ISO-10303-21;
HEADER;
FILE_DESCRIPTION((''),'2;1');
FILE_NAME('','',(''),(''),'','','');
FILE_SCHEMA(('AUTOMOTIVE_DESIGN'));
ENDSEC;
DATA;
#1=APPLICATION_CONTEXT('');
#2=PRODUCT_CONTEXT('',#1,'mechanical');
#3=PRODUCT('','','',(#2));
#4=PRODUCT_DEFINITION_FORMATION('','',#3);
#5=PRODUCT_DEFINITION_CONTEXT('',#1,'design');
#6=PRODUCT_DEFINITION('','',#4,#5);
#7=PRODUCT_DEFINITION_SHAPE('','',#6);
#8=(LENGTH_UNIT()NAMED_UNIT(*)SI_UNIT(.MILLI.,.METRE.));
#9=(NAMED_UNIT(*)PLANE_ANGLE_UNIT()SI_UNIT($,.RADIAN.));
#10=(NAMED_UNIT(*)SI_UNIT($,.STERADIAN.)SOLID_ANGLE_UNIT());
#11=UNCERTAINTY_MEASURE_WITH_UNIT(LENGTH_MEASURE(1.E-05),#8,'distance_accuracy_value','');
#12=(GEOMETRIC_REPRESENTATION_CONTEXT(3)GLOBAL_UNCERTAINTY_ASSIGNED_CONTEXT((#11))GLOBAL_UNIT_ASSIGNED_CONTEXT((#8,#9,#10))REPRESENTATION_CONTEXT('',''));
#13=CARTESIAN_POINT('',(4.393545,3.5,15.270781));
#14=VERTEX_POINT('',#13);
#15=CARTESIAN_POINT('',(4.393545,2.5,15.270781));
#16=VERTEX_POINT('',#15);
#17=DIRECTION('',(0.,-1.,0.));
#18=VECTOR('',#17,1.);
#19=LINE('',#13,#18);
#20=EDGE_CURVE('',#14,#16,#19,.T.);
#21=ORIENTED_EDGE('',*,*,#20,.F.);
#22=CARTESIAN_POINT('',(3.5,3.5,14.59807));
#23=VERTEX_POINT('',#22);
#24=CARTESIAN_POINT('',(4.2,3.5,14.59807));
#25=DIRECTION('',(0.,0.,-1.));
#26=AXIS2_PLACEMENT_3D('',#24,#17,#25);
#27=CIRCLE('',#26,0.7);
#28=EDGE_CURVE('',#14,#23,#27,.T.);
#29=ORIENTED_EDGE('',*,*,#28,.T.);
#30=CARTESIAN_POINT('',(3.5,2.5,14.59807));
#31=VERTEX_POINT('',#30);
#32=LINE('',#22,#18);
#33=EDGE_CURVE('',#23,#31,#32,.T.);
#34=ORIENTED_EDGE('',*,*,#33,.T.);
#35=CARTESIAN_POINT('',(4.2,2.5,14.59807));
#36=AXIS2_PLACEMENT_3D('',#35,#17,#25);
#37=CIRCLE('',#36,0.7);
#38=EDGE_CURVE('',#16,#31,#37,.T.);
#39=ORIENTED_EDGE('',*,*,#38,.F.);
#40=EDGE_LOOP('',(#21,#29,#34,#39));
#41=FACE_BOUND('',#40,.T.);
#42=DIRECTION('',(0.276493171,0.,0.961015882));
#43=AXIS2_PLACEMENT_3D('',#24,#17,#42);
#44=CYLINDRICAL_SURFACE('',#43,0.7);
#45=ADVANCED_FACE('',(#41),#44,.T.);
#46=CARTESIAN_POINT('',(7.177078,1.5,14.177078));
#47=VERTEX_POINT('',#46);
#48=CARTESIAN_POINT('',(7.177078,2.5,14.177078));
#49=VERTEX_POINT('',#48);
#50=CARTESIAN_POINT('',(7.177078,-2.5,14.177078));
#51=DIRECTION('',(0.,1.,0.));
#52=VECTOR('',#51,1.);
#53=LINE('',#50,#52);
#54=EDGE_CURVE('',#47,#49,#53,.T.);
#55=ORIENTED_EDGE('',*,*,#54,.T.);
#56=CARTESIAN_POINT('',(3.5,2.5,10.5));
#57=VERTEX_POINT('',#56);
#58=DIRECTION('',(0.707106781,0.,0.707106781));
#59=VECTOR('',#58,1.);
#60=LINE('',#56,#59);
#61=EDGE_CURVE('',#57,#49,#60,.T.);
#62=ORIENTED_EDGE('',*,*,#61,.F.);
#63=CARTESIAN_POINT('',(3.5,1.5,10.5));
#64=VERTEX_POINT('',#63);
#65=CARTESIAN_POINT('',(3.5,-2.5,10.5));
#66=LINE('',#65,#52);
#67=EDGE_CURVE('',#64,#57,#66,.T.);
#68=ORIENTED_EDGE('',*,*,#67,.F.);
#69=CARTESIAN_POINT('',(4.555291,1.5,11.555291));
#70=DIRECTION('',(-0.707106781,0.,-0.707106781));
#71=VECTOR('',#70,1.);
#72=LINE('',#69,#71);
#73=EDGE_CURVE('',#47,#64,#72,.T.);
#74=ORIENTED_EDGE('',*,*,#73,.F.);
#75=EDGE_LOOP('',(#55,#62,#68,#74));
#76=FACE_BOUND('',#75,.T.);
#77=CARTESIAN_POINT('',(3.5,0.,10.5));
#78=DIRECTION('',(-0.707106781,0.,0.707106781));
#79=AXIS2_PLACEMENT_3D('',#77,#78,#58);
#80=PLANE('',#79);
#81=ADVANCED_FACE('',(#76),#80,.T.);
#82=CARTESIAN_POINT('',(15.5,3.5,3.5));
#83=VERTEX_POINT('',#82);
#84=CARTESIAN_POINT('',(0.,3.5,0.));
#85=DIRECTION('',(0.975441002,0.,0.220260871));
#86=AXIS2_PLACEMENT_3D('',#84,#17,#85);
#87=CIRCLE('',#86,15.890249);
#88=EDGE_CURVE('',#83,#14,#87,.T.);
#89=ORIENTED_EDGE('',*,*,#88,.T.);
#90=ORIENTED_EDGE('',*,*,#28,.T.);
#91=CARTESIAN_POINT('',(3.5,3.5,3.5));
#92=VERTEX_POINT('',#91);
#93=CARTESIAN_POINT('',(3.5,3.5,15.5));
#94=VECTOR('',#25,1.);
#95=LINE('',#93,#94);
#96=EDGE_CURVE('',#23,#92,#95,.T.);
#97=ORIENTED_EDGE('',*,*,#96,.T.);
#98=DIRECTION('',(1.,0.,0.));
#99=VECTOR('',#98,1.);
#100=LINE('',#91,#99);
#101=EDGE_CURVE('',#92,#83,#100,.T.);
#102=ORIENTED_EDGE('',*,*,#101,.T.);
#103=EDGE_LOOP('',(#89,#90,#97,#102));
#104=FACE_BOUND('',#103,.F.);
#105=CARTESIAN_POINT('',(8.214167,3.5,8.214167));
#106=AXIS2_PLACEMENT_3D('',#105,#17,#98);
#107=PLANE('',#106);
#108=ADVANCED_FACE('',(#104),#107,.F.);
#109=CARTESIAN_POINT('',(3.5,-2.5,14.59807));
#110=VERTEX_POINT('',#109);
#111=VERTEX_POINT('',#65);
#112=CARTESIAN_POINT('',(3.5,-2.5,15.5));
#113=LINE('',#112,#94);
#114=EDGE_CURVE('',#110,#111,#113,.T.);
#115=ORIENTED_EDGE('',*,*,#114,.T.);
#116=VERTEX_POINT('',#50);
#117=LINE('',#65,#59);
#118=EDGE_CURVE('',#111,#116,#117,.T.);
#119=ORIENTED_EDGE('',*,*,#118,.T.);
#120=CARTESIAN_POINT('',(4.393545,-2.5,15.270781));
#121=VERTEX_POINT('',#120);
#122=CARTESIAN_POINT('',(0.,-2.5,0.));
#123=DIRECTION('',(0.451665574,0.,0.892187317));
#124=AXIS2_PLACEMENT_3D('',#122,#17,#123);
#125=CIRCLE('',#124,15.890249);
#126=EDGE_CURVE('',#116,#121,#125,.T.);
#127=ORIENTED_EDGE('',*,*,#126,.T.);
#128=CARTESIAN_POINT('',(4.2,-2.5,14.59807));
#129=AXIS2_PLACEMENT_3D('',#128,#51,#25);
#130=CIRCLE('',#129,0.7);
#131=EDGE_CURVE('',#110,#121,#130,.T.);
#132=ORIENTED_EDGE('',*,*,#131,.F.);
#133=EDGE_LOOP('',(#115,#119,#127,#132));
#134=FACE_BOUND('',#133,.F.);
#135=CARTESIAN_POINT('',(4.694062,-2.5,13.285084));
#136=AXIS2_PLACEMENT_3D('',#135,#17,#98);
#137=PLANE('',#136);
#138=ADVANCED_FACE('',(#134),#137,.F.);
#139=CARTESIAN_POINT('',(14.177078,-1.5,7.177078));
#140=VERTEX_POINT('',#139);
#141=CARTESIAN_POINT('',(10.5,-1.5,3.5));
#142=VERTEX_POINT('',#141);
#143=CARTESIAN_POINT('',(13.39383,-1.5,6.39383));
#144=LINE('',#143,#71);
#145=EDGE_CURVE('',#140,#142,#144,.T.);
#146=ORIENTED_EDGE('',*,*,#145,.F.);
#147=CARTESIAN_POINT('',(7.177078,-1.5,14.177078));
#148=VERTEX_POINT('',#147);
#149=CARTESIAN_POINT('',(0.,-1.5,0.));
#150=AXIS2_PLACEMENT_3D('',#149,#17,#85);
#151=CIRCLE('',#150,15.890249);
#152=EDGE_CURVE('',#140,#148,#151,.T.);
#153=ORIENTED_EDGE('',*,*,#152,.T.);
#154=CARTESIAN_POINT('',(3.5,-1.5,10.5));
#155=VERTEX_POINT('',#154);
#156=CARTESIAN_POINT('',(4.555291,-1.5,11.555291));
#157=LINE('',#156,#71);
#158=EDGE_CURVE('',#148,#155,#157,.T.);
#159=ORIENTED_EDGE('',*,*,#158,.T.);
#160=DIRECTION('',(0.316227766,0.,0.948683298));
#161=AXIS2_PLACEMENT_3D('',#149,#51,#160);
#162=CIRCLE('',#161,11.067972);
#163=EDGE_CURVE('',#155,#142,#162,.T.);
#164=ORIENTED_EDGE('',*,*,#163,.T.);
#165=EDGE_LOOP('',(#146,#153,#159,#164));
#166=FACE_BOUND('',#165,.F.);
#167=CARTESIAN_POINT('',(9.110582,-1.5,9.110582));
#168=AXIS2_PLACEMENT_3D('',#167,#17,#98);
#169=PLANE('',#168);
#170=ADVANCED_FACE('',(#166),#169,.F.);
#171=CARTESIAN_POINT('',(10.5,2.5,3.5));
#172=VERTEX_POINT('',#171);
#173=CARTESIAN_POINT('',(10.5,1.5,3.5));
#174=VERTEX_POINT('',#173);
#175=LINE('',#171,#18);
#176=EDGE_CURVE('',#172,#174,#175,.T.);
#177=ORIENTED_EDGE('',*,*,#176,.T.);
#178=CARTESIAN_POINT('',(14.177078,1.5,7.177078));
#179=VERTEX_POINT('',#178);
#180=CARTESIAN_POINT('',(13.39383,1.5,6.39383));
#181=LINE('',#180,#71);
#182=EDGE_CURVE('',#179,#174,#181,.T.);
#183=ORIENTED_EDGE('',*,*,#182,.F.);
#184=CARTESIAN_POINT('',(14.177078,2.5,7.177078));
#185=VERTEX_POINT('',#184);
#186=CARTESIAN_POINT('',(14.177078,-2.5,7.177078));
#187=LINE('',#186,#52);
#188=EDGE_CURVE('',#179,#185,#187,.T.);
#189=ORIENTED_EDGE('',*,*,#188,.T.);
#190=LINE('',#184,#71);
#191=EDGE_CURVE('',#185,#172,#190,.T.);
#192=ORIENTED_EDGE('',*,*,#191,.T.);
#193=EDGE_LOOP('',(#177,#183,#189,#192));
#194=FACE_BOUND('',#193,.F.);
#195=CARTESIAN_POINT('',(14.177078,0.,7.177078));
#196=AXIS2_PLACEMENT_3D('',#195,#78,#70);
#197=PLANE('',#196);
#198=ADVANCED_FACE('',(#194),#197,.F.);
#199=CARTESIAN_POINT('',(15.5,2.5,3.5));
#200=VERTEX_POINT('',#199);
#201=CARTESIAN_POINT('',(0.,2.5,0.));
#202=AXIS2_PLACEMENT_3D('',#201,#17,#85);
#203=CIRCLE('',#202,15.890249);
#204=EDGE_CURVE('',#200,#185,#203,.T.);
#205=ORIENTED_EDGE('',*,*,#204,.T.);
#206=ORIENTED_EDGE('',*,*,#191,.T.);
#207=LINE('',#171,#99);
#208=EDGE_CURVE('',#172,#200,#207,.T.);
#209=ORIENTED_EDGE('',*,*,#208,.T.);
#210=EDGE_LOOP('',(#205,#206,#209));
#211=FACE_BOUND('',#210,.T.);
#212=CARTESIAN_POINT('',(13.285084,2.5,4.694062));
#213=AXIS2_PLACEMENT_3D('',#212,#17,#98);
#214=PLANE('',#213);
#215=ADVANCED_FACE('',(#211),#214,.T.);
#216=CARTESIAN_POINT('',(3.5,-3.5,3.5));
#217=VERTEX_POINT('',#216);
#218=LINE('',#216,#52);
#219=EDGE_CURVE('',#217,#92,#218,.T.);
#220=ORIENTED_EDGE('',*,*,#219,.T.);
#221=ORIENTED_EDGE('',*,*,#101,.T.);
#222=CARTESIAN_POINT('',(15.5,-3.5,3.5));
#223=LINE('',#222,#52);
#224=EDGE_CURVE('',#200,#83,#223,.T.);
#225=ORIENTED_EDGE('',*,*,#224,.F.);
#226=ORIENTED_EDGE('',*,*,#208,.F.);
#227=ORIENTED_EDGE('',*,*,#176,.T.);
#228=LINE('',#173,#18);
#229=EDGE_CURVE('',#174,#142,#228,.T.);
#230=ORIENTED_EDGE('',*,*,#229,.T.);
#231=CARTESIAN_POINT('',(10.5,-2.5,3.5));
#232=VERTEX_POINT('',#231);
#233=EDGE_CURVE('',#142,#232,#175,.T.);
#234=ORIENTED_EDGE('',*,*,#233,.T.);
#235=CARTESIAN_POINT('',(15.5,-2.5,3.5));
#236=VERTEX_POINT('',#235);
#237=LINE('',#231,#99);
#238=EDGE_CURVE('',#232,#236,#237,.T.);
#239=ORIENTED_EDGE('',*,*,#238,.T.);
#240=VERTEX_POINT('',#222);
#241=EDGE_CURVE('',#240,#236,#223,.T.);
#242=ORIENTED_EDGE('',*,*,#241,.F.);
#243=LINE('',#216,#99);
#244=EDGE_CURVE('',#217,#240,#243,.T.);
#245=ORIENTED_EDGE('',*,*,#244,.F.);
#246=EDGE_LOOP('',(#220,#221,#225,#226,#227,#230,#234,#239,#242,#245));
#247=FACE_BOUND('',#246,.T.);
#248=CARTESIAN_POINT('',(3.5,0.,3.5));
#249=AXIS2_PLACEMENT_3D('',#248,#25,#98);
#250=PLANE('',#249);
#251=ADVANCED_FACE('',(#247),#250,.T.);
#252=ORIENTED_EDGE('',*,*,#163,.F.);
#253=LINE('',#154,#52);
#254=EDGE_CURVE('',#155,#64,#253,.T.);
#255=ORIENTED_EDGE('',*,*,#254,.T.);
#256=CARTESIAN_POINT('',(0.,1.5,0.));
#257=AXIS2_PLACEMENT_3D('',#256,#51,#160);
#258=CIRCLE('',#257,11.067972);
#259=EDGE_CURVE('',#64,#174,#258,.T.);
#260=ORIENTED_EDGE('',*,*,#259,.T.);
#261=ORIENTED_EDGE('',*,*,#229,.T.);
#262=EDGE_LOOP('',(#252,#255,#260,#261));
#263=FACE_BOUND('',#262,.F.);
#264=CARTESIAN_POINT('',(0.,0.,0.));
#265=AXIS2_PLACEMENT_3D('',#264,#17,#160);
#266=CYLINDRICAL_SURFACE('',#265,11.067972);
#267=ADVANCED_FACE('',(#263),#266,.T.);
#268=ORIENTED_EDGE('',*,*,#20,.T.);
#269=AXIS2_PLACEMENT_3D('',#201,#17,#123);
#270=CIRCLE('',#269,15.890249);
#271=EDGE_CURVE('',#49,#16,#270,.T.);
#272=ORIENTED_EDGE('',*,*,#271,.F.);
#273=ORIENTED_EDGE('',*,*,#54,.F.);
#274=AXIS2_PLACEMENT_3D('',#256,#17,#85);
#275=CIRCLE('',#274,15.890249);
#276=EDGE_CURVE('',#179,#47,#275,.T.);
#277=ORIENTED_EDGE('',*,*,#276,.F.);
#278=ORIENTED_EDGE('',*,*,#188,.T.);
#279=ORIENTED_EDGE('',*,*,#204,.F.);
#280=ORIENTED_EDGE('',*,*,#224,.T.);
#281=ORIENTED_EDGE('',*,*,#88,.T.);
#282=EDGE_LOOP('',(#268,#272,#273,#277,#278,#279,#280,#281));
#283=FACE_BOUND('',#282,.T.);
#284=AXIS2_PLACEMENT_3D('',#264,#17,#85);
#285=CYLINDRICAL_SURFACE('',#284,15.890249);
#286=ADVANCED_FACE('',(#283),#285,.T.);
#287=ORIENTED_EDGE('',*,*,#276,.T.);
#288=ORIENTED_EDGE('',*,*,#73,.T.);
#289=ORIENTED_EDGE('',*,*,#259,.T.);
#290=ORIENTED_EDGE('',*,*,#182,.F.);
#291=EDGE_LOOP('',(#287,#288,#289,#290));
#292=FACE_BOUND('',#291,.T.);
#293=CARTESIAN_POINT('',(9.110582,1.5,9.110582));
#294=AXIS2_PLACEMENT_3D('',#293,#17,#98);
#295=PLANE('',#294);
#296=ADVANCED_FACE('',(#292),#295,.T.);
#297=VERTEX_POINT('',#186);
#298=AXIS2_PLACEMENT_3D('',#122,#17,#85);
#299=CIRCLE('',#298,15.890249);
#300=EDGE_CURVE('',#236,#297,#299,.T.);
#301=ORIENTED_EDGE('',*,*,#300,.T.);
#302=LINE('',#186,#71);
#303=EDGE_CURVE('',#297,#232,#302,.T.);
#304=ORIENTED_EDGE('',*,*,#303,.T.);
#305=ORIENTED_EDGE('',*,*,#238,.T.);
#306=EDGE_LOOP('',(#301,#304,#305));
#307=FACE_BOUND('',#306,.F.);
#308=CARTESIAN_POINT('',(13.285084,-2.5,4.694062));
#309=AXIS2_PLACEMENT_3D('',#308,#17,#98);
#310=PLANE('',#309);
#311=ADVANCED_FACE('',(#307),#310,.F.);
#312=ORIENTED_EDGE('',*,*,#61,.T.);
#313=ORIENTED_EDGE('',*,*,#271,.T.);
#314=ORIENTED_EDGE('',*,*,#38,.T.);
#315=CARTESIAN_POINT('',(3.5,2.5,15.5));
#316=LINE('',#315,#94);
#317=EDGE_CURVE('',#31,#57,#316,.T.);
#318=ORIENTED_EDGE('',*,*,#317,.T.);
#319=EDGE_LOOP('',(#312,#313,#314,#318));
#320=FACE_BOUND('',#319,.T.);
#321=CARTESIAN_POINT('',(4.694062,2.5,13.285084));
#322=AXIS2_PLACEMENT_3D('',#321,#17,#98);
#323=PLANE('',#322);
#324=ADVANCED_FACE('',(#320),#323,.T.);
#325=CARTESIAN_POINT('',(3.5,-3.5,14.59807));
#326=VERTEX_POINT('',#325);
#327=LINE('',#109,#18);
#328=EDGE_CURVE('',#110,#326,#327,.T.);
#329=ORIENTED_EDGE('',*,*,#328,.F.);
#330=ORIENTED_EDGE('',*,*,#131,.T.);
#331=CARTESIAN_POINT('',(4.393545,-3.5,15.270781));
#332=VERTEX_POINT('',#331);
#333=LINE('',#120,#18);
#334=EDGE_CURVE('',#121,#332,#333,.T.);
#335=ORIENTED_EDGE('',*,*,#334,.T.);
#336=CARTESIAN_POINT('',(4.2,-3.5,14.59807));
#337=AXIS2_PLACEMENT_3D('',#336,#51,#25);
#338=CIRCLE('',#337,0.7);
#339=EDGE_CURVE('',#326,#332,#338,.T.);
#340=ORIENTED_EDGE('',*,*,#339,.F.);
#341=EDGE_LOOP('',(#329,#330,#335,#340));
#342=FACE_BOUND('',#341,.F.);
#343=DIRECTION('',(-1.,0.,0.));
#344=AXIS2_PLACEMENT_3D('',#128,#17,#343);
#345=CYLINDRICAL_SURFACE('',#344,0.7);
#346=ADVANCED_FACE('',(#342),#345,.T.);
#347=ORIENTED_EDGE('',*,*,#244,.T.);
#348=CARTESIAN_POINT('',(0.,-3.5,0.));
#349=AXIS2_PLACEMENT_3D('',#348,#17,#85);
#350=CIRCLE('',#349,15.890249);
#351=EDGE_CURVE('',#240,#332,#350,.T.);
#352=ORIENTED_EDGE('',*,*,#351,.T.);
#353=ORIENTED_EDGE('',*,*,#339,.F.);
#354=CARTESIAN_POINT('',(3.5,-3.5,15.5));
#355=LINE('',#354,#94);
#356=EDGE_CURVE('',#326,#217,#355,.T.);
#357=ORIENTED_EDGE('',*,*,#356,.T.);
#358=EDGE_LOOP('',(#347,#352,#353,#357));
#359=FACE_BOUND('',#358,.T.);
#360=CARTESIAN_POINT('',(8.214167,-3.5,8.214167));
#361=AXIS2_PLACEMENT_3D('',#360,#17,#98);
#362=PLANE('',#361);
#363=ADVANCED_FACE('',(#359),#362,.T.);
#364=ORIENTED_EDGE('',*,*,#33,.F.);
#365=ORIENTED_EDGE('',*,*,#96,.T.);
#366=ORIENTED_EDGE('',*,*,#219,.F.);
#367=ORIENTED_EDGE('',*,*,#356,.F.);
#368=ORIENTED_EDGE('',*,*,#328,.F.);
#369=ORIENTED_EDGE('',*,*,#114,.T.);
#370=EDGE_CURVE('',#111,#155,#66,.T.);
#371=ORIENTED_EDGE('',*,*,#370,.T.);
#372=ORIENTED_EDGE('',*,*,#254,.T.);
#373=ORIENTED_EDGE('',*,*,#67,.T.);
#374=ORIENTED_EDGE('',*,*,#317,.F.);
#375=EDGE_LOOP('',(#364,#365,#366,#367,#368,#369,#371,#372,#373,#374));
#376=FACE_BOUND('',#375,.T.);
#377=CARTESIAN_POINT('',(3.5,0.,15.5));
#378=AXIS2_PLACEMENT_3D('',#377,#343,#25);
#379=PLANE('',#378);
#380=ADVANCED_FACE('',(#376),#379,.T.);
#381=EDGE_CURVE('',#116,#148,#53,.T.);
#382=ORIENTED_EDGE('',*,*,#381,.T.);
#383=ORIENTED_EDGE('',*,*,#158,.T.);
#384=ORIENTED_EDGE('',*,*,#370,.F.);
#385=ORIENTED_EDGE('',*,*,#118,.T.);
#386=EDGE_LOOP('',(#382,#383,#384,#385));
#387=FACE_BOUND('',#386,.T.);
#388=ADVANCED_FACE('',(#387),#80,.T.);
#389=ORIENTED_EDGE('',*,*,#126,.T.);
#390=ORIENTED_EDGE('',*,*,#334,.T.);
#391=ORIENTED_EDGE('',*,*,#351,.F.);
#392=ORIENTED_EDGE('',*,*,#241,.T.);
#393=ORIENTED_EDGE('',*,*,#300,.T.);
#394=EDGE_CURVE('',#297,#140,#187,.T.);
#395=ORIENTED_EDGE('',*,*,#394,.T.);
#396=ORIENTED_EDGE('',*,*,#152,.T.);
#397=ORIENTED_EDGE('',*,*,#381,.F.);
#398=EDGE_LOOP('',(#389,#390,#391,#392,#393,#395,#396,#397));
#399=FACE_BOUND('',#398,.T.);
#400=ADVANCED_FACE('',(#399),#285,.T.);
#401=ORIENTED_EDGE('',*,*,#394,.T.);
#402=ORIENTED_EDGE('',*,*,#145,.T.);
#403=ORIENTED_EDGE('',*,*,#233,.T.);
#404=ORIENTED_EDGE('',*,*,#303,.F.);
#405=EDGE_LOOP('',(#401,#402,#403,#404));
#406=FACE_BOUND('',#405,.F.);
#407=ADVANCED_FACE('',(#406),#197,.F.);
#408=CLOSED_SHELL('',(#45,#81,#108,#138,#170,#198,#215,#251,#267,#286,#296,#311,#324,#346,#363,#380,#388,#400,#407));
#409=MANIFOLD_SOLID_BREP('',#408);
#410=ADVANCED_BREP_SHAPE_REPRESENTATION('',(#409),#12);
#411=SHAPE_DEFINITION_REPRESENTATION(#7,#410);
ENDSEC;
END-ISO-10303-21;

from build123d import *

# Parameters (mm, degrees)
F1_DEPTH = 3.5
F3_DEPTH = 1.5
F5_DEPTH = 2.5
F6_R     = 0.7


with BuildPart() as f1:
    # F0 (on Front) → F1 (new body, symmetric)
    with BuildSketch(Plane.XZ):
        with BuildLine():
            ThreePointArc((15.5, 3.5), (11.2361025271, 11.2361025271), (3.5, 15.5))
            Line((3.5, 15.5), (3.5, 3.5))
            Line((3.5, 3.5), (15.5, 3.5))
        make_face()
    extrude(amount=F1_DEPTH, both=True)

    # F2 (on Front) → F3 (cut, symmetric)
    with BuildSketch(Plane.XZ):
        with BuildLine():
            ThreePointArc((3.5, 10.5), (7.8262379212, 7.8262379212), (10.5, 3.5))
            Line((10.5, 3.5), (15.5, 3.5))
            ThreePointArc((15.5, 3.5), (11.2361025271, 11.2361025271), (3.5, 15.5))
            Line((3.5, 15.5), (3.5, 10.5))
        make_face()
    extrude(amount=F3_DEPTH, both=True, mode=Mode.SUBTRACT)

    # F4 (on Front) → F5 (cut, symmetric)
    with BuildSketch(Plane.XZ):
        with BuildLine():
            ThreePointArc((7.177078252, 14.177078252), (5.3793615316, 14.9520055348), (3.5, 15.5))
            Line((3.5, 15.5), (3.5, 10.5))
            Line((3.5, 10.5), (7.177078252, 14.177078252))
        make_face()
        with BuildLine():
            Line((14.177078252, 7.177078252), (10.5, 3.5))
            Line((10.5, 3.5), (15.5, 3.5))
            ThreePointArc((15.5, 3.5), (14.9520055348, 5.3793615316), (14.177078252, 7.177078252))
        make_face()
    extrude(amount=F5_DEPTH, both=True, mode=Mode.SUBTRACT)

    # F6
    f6_edges = [f1.edges().sort_by_distance(p)[0] for p in [
        (3.5, 3, 15.5),
        (3.5, -3, 15.5),
    ]]
    fillet(f6_edges, radius=F6_R)


solid = f1.part
